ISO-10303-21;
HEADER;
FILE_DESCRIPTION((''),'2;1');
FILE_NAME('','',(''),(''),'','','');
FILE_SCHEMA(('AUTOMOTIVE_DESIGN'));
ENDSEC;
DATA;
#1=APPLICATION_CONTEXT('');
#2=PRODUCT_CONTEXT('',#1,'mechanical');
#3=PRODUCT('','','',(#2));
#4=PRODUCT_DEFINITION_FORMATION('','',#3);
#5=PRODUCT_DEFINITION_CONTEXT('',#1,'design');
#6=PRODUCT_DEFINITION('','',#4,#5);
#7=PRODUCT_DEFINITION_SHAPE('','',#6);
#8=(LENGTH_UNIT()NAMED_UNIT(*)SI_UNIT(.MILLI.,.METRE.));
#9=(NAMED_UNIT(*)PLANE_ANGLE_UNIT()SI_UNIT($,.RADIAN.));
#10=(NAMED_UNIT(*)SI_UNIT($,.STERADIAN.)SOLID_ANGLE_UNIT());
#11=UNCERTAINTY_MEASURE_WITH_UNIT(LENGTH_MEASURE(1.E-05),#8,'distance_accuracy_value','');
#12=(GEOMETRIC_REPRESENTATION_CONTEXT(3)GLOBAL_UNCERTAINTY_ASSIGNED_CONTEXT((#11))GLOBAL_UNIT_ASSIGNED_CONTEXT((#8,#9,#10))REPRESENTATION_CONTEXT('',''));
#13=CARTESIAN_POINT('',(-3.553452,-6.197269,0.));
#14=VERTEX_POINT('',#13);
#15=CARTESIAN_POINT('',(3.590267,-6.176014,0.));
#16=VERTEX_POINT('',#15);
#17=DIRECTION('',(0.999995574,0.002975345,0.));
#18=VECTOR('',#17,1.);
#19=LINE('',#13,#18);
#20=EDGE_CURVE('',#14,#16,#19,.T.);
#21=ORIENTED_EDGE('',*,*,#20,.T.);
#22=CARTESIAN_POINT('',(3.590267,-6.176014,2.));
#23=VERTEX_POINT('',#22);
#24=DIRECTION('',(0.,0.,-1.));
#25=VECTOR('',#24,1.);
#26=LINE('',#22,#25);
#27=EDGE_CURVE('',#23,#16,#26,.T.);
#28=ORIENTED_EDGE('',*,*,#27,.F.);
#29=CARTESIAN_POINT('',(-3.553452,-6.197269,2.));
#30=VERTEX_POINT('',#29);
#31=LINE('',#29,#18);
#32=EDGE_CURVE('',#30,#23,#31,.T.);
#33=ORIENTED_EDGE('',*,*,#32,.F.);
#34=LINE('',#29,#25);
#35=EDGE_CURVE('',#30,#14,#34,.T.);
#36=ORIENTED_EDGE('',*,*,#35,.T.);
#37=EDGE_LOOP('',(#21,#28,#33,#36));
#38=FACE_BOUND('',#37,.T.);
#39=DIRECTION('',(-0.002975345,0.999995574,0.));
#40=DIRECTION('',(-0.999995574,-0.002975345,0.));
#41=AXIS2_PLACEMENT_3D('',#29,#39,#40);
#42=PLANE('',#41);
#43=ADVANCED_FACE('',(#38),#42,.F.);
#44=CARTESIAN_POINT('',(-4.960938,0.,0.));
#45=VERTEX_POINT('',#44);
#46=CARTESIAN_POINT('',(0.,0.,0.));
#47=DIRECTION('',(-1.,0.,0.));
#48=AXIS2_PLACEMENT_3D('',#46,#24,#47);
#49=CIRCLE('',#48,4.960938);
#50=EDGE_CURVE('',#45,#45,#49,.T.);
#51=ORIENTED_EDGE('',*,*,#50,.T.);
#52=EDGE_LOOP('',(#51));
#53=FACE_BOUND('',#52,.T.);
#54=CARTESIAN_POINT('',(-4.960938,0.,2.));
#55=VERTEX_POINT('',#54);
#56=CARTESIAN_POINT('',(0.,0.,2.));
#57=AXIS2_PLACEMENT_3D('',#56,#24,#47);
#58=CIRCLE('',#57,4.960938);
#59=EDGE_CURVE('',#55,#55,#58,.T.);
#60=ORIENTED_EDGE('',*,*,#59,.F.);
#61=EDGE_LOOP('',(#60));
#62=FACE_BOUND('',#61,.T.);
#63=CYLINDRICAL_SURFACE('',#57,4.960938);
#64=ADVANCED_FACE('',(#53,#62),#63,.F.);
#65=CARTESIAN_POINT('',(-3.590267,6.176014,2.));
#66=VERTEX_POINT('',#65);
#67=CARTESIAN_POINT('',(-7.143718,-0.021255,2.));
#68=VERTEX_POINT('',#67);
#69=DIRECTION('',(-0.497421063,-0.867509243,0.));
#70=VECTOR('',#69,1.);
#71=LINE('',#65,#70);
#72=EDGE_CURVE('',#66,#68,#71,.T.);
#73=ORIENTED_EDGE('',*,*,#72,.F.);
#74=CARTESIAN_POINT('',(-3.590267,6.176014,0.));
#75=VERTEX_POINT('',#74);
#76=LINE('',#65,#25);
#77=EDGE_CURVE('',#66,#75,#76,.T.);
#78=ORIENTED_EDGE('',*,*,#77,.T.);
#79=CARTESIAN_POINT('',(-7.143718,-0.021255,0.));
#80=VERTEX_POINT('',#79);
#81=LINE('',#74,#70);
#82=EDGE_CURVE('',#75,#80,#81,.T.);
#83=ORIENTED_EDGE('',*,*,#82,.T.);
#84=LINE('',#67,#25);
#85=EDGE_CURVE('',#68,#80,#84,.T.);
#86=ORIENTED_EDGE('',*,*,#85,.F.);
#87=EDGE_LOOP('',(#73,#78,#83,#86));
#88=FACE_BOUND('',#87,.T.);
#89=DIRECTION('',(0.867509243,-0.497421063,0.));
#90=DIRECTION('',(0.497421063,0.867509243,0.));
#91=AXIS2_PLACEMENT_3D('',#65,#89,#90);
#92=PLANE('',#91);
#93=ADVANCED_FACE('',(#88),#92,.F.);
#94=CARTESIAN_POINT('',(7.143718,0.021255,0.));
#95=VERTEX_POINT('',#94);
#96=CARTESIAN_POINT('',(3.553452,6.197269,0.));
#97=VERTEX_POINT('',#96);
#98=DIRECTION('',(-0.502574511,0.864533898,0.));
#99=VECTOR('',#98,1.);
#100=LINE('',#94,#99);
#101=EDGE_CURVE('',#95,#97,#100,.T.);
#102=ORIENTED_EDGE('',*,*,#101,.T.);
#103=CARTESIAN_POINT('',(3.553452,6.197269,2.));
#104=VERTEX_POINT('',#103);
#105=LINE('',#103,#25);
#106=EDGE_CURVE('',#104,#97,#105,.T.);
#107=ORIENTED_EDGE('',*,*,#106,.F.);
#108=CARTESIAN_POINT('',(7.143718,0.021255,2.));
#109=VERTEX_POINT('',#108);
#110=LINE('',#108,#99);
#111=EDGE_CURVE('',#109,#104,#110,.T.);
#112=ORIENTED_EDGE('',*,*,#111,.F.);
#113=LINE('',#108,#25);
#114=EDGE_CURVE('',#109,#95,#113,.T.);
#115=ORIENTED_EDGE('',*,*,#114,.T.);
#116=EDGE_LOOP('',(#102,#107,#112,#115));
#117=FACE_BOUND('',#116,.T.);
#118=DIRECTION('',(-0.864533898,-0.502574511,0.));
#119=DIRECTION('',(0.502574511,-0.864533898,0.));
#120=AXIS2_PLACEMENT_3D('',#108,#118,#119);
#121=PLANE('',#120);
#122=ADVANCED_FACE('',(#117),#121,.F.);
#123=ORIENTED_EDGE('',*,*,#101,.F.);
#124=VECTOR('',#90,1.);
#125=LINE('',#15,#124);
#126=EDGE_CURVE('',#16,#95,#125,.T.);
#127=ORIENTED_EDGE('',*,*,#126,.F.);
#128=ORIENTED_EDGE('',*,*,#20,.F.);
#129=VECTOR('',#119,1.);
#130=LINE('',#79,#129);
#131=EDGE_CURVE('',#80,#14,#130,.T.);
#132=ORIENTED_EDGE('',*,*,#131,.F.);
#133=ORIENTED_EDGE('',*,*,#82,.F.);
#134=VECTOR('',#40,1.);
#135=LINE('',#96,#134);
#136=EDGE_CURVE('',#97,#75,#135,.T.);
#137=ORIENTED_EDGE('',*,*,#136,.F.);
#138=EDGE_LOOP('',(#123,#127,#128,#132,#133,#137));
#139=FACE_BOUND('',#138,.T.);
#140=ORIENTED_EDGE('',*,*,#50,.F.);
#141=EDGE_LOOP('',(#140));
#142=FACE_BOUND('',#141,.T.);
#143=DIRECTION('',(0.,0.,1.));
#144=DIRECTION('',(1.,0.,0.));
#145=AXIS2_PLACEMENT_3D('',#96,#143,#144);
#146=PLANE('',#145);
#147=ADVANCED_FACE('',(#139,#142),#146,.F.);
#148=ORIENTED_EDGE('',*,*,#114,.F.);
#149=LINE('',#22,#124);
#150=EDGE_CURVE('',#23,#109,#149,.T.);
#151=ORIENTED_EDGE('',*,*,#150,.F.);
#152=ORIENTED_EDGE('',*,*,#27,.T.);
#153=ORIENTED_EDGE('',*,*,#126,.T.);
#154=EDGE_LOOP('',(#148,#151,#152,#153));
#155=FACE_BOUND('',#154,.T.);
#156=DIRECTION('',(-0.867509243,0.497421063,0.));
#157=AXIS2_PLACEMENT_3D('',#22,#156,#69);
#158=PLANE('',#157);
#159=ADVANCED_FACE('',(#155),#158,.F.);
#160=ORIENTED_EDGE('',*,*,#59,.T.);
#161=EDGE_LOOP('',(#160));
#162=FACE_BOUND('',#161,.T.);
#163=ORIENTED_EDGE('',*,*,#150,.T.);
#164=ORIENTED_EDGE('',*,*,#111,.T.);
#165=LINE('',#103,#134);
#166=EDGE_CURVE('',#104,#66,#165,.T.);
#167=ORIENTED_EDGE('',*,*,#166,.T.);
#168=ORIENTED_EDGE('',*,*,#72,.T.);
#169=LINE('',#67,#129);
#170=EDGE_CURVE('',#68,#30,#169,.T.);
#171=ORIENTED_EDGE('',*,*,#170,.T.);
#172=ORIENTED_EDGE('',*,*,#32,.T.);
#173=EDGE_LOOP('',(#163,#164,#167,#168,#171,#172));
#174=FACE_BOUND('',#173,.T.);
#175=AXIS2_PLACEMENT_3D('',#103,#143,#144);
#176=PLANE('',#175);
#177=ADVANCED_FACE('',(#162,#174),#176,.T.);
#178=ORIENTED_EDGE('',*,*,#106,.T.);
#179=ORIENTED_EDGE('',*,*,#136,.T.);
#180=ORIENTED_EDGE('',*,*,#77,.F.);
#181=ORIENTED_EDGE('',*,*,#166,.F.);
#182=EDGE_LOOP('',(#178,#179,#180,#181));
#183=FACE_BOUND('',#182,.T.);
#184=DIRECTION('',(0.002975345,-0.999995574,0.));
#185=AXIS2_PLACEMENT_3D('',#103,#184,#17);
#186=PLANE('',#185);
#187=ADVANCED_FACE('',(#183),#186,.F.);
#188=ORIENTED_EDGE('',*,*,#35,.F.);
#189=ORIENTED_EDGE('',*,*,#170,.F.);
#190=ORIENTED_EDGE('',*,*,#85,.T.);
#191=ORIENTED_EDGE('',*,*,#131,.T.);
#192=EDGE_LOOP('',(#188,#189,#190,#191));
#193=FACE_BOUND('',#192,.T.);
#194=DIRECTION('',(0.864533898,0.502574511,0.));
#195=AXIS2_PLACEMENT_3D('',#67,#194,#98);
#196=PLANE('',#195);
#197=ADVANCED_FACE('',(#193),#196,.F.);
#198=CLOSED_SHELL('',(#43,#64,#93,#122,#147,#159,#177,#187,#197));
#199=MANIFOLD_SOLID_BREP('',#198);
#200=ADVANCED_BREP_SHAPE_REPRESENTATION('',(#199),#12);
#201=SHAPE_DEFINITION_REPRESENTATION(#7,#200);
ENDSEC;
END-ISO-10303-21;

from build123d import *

# Parameters (mm, degrees)
RESSALTO_EXTRUS_O1_DEPTH = 2
ESBO_O2_R                = 4.9609375
CORTE_EXTRUS_O1_DEPTH    = 10.666377669


with BuildPart() as part:
    # Esboço1 → Ressalto-extrusão1 (new body)
    with BuildSketch(Plane.XY):
        Polygon((3.553451716, 6.197269154), (-3.590266663, 6.176014034), (-7.143718379, -0.021255119), (-3.553451716, -6.197269154), (3.590266663, -6.176014034), (7.143718379, 0.021255119), align=None)
    extrude(amount=RESSALTO_EXTRUS_O1_DEPTH)

    # Esboço2 → Corte-extrusão1 (cut, through all)
    with BuildSketch(Plane(origin=(0, 0, 0), x_dir=(-1, 0, 0), z_dir=(0, 0, -1))):
        Circle(ESBO_O2_R)
    extrude(amount=-CORTE_EXTRUS_O1_DEPTH, mode=Mode.SUBTRACT)


solid = part.part
